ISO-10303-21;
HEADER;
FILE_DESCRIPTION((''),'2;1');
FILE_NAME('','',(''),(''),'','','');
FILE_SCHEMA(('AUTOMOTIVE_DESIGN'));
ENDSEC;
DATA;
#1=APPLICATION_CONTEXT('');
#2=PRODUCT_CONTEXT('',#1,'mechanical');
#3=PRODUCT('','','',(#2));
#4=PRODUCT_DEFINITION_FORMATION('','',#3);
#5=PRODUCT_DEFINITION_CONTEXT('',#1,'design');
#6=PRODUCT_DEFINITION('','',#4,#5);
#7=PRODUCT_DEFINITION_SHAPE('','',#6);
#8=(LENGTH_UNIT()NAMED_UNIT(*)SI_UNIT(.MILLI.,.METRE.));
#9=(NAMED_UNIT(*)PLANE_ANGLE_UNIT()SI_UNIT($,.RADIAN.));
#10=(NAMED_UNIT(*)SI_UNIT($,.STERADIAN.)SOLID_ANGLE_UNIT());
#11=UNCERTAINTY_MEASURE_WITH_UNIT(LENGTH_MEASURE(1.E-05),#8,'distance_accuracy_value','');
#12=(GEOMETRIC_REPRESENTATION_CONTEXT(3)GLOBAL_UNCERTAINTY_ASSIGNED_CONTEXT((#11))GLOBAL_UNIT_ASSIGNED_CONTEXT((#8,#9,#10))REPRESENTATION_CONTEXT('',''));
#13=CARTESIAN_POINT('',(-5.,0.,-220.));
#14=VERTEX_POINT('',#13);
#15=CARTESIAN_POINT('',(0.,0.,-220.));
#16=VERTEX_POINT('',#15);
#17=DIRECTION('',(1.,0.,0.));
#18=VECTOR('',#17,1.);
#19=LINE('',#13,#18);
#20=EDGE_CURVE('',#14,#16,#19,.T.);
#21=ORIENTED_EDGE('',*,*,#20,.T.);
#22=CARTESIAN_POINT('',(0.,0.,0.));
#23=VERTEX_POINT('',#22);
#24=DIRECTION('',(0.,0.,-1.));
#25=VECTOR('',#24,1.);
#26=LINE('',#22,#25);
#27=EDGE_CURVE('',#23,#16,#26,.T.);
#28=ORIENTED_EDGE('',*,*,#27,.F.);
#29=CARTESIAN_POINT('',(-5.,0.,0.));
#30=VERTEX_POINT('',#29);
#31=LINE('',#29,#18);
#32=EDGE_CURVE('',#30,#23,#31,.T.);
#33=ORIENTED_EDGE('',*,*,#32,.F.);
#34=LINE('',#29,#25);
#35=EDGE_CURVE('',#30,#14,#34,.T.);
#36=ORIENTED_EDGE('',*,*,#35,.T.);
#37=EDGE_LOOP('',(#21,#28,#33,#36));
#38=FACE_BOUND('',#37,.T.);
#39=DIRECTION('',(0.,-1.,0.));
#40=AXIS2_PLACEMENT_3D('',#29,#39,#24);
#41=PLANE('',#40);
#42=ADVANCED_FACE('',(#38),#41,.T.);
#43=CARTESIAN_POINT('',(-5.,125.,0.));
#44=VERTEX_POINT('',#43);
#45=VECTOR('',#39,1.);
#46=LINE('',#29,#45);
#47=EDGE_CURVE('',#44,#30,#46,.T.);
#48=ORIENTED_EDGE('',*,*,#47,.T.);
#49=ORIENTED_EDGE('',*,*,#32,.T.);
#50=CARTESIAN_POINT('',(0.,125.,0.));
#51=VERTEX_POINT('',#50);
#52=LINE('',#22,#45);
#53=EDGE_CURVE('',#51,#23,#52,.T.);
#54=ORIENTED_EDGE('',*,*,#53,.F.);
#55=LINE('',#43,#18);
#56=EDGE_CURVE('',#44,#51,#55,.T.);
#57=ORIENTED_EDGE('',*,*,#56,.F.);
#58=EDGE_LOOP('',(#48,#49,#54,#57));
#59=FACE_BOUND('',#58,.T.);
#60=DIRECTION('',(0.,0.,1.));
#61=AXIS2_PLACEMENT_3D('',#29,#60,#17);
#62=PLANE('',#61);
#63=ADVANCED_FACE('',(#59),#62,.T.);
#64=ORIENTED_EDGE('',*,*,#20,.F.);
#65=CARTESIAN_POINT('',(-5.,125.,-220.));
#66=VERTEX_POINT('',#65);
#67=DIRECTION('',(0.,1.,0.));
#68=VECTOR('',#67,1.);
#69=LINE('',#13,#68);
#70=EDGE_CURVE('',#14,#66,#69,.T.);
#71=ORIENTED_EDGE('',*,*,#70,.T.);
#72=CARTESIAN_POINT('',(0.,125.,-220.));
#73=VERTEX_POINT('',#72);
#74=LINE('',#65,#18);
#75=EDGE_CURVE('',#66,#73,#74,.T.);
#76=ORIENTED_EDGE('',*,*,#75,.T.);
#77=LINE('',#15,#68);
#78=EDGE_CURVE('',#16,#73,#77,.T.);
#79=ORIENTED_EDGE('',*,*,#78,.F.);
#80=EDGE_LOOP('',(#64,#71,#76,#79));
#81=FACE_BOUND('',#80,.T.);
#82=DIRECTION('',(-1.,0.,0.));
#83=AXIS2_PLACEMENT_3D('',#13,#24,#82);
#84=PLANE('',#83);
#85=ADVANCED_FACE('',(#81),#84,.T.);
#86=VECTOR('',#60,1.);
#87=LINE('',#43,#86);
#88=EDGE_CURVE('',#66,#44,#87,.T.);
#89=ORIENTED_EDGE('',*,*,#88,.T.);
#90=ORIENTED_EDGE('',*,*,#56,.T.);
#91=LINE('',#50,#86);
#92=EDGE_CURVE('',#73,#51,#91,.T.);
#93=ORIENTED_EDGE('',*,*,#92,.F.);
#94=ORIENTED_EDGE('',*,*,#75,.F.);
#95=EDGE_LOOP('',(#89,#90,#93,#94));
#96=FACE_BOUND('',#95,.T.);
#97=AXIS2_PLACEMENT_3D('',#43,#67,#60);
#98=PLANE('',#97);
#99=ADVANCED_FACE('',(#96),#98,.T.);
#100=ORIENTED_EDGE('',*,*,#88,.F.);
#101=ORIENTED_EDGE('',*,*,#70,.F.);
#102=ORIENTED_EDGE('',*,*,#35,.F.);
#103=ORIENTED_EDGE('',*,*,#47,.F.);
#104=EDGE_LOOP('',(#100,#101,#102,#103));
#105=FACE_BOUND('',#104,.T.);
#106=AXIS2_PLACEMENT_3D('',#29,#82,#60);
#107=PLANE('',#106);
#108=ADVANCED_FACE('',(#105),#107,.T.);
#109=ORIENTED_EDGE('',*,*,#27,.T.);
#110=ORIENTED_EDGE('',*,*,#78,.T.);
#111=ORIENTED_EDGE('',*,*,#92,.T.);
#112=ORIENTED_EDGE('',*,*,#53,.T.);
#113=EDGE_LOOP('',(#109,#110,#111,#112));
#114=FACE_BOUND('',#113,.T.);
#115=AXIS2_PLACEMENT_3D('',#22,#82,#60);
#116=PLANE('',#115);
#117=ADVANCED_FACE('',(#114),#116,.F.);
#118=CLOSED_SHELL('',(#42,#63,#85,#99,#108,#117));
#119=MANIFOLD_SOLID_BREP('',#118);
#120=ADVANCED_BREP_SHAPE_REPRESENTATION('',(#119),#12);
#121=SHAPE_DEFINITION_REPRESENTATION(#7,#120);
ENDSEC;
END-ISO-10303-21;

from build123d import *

# Parameters (mm, degrees)
SKETCH2_W           = 220
SKETCH2_H           = 125
BOSS_EXTRUDE1_DEPTH = 5


with BuildPart() as part:
    # Sketch2 → Boss-Extrude1 (new body)
    with BuildSketch(Plane(origin=(0, 0, 0), x_dir=(0, 0, -1), z_dir=(1, 0, 0))):
        with Locations((110, 62.5)):
            Rectangle(SKETCH2_W, SKETCH2_H)
    extrude(amount=-BOSS_EXTRUDE1_DEPTH)


solid = part.part
